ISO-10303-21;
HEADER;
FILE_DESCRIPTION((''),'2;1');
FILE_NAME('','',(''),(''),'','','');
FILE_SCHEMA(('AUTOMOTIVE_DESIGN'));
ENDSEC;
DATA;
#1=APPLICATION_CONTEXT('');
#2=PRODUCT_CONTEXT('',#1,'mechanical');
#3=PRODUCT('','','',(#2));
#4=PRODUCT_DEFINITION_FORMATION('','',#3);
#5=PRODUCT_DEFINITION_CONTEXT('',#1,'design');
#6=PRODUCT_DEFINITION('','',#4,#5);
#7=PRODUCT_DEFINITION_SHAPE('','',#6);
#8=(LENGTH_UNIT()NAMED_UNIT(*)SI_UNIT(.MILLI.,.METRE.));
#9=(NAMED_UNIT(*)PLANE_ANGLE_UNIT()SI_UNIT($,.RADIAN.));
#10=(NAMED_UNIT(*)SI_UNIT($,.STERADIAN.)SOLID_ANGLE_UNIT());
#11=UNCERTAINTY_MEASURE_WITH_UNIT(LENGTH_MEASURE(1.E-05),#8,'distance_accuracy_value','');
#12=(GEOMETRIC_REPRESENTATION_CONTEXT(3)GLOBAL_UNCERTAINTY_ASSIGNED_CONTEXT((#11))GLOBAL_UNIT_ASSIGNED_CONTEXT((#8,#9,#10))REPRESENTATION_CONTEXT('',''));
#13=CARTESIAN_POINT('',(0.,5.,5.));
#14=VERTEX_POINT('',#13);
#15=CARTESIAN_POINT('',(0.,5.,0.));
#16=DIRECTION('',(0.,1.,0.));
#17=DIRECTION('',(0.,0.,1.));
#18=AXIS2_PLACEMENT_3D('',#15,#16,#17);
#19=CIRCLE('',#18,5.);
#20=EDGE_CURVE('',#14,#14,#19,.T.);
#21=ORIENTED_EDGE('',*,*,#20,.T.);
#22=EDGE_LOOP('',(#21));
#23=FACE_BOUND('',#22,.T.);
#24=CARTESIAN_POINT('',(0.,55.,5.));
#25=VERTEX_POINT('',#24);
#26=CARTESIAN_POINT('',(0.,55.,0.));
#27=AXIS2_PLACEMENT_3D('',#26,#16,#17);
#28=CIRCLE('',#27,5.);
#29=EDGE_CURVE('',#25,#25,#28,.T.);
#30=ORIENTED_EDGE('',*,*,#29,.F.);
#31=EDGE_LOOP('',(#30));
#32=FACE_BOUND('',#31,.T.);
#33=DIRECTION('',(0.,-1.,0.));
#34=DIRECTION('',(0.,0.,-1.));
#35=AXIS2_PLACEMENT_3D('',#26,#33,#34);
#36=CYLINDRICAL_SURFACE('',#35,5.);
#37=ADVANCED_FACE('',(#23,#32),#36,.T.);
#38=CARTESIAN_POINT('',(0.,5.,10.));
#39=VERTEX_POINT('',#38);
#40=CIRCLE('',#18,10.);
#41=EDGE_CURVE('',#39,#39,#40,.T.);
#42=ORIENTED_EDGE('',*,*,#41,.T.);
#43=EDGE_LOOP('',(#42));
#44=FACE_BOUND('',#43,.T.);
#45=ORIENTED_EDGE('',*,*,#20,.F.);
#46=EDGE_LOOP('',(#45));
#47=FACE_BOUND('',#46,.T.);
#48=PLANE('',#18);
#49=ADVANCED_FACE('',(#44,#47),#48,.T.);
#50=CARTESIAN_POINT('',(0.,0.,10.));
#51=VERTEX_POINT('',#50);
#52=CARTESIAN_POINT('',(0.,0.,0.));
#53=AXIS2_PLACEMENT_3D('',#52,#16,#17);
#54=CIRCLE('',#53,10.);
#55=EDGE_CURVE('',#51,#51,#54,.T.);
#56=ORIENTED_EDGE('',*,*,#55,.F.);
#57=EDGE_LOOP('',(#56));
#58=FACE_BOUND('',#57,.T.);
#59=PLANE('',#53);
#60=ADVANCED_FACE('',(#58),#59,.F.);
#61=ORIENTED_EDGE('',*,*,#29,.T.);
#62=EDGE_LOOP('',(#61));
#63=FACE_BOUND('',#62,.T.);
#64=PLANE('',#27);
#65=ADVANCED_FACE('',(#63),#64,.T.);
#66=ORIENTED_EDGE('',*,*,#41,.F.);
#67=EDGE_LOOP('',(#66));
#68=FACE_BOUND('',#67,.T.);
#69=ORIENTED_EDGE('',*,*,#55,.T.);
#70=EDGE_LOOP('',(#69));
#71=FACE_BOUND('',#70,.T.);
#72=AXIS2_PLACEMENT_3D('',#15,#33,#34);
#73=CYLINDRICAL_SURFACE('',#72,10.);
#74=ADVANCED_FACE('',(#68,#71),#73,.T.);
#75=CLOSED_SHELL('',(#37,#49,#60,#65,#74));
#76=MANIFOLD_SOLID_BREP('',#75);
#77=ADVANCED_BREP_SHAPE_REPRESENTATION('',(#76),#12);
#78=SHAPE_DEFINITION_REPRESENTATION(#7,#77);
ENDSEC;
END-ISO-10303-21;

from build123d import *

# Parameters (mm, degrees)
SKIZZE1_R                       = 10
AUFSATZ_LINEAR_AUSTRAGEN1_DEPTH = 5
SKIZZE2_R                       = 5
AUFSATZ_LINEAR_AUSTRAGEN2_DEPTH = 50


with BuildPart() as part:
    # Skizze1 → Aufsatz-Linear austragen1 (new body)
    with BuildSketch(Plane(origin=(0, 0, 0), x_dir=(1, 0, 0), z_dir=(0, 1, 0))):
        with Locations(Location((0, 0, 0), (0, 0, 270))):
            Circle(SKIZZE1_R)
    extrude(amount=AUFSATZ_LINEAR_AUSTRAGEN1_DEPTH)

    # Skizze2 → Aufsatz-Linear austragen2 (add)
    with BuildSketch(Plane(origin=(0, 5, 0), x_dir=(1, 0, 0), z_dir=(0, 1, 0))):
        with Locations(Location((0, 0, 0), (0, 0, 270))):
            Circle(SKIZZE2_R)
    extrude(amount=AUFSATZ_LINEAR_AUSTRAGEN2_DEPTH)


solid = part.part
